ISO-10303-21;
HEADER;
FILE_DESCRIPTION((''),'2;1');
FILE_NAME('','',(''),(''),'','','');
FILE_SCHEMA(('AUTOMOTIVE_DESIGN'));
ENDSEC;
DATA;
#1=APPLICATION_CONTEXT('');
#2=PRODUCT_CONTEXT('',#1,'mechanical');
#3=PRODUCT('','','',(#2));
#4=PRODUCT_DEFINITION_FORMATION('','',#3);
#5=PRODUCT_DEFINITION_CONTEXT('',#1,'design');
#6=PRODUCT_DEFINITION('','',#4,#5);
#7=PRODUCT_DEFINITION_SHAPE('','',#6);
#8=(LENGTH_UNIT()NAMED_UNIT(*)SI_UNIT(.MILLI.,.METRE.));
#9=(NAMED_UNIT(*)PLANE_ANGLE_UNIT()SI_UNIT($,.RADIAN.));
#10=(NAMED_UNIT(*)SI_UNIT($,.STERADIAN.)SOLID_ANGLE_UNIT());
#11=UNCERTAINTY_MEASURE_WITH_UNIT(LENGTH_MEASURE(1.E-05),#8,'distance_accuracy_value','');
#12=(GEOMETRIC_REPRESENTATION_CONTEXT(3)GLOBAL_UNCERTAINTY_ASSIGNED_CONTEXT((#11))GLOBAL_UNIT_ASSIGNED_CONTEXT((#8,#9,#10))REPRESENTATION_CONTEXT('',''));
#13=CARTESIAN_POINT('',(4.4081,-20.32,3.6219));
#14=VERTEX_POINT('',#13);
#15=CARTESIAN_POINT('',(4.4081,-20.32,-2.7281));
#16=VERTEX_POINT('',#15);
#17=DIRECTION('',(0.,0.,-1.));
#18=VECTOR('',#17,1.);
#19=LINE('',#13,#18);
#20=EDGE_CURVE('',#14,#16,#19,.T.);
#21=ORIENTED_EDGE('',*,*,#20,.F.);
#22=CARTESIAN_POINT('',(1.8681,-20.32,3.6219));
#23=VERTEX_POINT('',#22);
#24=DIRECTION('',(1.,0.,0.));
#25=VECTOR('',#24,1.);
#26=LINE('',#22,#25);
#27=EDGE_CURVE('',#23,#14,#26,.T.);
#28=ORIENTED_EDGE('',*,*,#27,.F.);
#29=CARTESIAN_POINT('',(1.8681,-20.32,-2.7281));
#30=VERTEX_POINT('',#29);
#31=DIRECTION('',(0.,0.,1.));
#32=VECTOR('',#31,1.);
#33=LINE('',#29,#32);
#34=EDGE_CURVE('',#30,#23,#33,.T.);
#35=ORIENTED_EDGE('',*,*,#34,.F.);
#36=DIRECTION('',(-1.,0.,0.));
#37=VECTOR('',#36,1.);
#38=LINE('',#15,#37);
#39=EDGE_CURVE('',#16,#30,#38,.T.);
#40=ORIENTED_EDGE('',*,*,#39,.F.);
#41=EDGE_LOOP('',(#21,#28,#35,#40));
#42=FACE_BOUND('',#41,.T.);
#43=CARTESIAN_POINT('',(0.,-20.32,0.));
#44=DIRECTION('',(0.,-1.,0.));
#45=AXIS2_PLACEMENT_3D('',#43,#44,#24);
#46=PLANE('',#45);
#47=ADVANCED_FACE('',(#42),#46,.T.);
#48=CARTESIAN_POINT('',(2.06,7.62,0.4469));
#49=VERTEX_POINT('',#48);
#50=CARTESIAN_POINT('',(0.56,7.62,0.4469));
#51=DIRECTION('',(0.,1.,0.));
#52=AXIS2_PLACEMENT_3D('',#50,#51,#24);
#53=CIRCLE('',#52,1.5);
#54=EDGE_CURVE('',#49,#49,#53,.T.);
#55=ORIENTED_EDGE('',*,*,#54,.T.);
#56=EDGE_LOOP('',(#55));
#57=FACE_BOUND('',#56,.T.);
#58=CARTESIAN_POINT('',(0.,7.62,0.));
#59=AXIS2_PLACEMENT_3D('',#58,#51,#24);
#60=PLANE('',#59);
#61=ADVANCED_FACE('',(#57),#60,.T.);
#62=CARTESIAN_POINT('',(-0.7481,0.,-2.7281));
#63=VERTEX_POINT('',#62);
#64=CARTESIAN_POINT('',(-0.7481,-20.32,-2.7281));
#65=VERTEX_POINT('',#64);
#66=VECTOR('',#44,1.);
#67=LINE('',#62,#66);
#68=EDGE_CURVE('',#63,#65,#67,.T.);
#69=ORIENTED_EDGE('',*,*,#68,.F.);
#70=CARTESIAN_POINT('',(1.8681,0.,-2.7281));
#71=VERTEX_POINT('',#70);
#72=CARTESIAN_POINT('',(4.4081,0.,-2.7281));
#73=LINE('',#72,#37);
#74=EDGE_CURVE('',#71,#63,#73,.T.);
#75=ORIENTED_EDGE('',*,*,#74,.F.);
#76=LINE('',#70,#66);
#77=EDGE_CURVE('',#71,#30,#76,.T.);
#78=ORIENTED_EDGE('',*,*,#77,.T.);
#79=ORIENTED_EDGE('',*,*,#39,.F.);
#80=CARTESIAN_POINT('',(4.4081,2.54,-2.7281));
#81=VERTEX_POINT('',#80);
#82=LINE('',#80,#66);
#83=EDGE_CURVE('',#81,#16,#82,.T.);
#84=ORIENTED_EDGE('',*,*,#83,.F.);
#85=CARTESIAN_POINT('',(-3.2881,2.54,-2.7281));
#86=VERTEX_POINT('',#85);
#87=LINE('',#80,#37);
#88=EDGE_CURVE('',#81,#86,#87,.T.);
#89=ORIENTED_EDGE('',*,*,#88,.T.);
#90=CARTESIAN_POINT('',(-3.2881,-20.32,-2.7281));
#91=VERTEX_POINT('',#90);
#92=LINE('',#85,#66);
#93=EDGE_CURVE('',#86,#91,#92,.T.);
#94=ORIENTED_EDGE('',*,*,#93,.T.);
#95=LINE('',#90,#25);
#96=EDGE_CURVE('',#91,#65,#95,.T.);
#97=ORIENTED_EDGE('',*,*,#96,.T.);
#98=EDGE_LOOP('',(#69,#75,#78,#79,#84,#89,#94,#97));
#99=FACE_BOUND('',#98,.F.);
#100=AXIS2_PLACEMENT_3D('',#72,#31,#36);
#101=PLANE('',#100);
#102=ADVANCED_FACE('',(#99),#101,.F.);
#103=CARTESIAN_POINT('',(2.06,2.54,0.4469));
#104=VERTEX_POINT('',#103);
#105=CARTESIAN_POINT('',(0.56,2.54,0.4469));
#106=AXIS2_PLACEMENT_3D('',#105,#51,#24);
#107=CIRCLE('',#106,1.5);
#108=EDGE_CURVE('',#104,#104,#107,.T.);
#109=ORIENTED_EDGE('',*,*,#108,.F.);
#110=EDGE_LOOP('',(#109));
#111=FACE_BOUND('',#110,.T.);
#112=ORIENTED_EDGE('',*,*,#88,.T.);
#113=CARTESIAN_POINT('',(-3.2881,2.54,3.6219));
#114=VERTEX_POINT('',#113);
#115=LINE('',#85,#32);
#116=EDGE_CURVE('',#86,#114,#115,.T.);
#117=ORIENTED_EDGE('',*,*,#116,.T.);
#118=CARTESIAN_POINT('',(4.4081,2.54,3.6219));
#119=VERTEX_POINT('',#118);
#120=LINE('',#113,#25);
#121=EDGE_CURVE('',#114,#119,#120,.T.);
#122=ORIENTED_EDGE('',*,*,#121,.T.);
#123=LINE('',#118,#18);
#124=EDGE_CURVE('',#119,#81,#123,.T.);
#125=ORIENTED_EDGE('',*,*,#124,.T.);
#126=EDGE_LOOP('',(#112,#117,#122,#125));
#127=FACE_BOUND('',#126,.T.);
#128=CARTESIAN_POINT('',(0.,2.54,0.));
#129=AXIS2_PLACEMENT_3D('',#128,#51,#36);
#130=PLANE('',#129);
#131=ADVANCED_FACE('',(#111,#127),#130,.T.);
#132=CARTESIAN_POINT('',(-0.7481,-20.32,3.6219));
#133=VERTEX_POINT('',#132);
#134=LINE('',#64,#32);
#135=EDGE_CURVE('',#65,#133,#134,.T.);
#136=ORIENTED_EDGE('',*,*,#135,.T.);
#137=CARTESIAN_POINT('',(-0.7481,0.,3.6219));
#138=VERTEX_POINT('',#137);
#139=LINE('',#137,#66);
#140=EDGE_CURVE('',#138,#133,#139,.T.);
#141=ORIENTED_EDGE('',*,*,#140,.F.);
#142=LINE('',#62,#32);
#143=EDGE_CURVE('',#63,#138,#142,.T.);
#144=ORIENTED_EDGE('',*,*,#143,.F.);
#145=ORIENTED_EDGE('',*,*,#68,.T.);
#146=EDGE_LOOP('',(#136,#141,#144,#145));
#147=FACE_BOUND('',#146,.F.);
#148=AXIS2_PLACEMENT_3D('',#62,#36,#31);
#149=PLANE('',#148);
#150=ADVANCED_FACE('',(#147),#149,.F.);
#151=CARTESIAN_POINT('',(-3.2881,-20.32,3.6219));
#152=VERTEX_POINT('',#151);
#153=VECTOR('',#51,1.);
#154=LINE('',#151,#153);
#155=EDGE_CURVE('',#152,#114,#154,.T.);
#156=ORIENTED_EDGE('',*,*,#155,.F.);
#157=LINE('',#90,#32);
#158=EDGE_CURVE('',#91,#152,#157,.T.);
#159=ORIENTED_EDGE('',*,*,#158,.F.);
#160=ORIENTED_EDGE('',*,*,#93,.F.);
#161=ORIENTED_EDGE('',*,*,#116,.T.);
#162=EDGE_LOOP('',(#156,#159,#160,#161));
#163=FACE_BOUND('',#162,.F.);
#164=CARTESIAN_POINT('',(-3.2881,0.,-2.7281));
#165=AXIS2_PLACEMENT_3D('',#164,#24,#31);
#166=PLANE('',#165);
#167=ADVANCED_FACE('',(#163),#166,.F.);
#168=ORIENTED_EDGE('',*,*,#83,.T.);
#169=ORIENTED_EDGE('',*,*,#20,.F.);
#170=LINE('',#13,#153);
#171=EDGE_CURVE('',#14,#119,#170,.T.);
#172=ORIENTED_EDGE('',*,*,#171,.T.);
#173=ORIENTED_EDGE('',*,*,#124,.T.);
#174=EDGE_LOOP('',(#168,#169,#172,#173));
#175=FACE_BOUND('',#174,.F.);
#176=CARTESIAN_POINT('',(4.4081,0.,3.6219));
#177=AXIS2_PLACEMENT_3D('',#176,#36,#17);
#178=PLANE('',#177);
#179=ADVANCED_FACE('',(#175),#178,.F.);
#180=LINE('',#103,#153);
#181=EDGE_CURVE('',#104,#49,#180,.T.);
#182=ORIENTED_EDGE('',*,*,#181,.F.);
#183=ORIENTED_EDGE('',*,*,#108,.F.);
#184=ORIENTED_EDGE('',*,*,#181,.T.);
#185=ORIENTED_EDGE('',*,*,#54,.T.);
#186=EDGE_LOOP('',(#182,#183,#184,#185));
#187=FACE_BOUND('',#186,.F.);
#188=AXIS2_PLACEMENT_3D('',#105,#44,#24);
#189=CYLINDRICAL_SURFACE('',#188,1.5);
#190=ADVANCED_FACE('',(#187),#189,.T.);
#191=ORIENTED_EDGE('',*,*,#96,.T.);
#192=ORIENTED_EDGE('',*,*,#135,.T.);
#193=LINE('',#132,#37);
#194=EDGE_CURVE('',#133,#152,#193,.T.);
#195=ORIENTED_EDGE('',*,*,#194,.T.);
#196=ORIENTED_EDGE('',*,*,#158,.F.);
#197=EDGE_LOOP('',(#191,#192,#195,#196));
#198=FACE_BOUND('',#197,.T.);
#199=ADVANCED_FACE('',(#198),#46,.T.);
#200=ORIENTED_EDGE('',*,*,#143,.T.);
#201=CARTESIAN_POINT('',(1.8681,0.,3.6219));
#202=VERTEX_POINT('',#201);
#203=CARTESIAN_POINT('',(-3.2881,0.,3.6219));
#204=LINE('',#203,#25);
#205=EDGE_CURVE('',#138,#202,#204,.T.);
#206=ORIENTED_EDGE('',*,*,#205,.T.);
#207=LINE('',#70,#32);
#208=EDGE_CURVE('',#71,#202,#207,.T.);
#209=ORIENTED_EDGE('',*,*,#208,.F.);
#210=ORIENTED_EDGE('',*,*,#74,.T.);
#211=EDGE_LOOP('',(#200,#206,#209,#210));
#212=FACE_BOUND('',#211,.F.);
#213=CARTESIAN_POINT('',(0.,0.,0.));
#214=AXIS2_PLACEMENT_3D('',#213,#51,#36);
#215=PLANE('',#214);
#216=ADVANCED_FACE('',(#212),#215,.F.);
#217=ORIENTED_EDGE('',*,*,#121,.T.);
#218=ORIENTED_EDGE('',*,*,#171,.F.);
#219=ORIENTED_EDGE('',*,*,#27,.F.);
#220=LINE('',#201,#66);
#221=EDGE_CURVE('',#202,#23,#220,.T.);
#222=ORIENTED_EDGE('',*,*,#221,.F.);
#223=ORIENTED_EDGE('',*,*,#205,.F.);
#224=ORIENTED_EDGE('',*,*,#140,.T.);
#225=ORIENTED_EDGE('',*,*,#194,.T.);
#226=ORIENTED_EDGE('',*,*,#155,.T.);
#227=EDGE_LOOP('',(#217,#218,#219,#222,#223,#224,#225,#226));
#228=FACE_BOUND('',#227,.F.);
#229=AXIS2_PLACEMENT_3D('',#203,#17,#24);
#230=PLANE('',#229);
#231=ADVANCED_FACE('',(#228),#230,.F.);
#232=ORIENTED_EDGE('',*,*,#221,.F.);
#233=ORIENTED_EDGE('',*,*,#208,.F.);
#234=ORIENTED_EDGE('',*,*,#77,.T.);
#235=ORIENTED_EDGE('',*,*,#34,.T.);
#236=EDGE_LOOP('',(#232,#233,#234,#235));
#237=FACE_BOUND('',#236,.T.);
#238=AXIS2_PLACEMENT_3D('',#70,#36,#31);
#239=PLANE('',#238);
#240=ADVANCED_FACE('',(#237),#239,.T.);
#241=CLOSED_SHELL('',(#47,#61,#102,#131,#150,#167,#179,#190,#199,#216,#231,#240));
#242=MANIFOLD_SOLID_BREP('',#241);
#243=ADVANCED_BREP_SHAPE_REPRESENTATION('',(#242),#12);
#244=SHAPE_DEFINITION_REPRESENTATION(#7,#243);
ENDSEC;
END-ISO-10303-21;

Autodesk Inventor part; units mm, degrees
ref_plane "YZ Plane" through (0, 0, 0) normal (1, 0, 0) x (0, 1, 0)
ref_plane "XZ Plane" through (0, 0, 0) normal (0, 1, 0) x (-1, 0, 0)
ref_plane "XY Plane" through (0, 0, 0) normal (0, 0, 1) x (1, 0, 0)
sketch "Sketch1" plane through (0, 0, 0) normal (0, 1, 0) x (-1, 0, 0)
  line L0 (3.2881, 3.6219) -> (-4.4081, 3.6219)
  line L1 (-4.4081, 3.6219) -> (-4.4081, -2.7281)
  line L2 (-4.4081, -2.7281) -> (3.2881, -2.7281)
  line L3 (3.2881, -2.7281) -> (3.2881, 3.6219)
  point P0 (0, 0)
  dimension "d0" = 7.6962
  dimension "d1" = 6.35
extrude "Extrusion1" add sketch "Sketch1" along normal blind 2.54
sketch "Sketch2" plane through (0, 2.54, 0) normal (0, 1, 0) x (1, 0, 0)
  circle A0 centre (0.56, -0.4469) radius 1.5
  line L0 (4.4081, 2.7281) -> (-3.2881, 2.7281) projected
  line L1 (-3.2881, 2.7281) -> (-3.2881, -3.6219) projected
  point P0 (0, 0)
  point P1 (0.56, 2.7281)
  point P2 (-3.2881, -0.4469)
  dimension "d4" = 3
extrude "Extrusion2" add sketch "Sketch2" along normal blind 5.08
sketch "Sketch3" plane through (0, 0, 0) normal (0, -1, 0) x (1, 0, 0)
  line L0 (-3.2881, -2.7281) -> (-3.2881, 3.6219) projected
  line L1 (-3.2881, -2.7281) -> (-0.7481, -2.7281)
  line L2 (-0.7481, -2.7281) -> (-0.7481, 3.6219)
  line L3 (-0.7481, 3.6219) -> (-3.2881, 3.6219)
  line L4 (-3.2881, 3.6219) -> (-3.2881, -2.7281)
  line L5 (4.4081, -2.7281) -> (1.8681, -2.7281)
  line L6 (1.8681, -2.7281) -> (1.8681, 3.6219)
  line L7 (1.8681, 3.6219) -> (4.4081, 3.6219)
  line L8 (4.4081, 3.6219) -> (4.4081, -2.7281)
  point P0 (0, 0)
  dimension "d7" = 2.54
  dimension "d8" = 2.54
  dimension "d9" = 2.6162
extrude "Extrusion3" add sketch "Sketch3" along normal blind 20.32
equation "\"d8\" = d7"
properties part number "Control Board Ring Slot Holder"
